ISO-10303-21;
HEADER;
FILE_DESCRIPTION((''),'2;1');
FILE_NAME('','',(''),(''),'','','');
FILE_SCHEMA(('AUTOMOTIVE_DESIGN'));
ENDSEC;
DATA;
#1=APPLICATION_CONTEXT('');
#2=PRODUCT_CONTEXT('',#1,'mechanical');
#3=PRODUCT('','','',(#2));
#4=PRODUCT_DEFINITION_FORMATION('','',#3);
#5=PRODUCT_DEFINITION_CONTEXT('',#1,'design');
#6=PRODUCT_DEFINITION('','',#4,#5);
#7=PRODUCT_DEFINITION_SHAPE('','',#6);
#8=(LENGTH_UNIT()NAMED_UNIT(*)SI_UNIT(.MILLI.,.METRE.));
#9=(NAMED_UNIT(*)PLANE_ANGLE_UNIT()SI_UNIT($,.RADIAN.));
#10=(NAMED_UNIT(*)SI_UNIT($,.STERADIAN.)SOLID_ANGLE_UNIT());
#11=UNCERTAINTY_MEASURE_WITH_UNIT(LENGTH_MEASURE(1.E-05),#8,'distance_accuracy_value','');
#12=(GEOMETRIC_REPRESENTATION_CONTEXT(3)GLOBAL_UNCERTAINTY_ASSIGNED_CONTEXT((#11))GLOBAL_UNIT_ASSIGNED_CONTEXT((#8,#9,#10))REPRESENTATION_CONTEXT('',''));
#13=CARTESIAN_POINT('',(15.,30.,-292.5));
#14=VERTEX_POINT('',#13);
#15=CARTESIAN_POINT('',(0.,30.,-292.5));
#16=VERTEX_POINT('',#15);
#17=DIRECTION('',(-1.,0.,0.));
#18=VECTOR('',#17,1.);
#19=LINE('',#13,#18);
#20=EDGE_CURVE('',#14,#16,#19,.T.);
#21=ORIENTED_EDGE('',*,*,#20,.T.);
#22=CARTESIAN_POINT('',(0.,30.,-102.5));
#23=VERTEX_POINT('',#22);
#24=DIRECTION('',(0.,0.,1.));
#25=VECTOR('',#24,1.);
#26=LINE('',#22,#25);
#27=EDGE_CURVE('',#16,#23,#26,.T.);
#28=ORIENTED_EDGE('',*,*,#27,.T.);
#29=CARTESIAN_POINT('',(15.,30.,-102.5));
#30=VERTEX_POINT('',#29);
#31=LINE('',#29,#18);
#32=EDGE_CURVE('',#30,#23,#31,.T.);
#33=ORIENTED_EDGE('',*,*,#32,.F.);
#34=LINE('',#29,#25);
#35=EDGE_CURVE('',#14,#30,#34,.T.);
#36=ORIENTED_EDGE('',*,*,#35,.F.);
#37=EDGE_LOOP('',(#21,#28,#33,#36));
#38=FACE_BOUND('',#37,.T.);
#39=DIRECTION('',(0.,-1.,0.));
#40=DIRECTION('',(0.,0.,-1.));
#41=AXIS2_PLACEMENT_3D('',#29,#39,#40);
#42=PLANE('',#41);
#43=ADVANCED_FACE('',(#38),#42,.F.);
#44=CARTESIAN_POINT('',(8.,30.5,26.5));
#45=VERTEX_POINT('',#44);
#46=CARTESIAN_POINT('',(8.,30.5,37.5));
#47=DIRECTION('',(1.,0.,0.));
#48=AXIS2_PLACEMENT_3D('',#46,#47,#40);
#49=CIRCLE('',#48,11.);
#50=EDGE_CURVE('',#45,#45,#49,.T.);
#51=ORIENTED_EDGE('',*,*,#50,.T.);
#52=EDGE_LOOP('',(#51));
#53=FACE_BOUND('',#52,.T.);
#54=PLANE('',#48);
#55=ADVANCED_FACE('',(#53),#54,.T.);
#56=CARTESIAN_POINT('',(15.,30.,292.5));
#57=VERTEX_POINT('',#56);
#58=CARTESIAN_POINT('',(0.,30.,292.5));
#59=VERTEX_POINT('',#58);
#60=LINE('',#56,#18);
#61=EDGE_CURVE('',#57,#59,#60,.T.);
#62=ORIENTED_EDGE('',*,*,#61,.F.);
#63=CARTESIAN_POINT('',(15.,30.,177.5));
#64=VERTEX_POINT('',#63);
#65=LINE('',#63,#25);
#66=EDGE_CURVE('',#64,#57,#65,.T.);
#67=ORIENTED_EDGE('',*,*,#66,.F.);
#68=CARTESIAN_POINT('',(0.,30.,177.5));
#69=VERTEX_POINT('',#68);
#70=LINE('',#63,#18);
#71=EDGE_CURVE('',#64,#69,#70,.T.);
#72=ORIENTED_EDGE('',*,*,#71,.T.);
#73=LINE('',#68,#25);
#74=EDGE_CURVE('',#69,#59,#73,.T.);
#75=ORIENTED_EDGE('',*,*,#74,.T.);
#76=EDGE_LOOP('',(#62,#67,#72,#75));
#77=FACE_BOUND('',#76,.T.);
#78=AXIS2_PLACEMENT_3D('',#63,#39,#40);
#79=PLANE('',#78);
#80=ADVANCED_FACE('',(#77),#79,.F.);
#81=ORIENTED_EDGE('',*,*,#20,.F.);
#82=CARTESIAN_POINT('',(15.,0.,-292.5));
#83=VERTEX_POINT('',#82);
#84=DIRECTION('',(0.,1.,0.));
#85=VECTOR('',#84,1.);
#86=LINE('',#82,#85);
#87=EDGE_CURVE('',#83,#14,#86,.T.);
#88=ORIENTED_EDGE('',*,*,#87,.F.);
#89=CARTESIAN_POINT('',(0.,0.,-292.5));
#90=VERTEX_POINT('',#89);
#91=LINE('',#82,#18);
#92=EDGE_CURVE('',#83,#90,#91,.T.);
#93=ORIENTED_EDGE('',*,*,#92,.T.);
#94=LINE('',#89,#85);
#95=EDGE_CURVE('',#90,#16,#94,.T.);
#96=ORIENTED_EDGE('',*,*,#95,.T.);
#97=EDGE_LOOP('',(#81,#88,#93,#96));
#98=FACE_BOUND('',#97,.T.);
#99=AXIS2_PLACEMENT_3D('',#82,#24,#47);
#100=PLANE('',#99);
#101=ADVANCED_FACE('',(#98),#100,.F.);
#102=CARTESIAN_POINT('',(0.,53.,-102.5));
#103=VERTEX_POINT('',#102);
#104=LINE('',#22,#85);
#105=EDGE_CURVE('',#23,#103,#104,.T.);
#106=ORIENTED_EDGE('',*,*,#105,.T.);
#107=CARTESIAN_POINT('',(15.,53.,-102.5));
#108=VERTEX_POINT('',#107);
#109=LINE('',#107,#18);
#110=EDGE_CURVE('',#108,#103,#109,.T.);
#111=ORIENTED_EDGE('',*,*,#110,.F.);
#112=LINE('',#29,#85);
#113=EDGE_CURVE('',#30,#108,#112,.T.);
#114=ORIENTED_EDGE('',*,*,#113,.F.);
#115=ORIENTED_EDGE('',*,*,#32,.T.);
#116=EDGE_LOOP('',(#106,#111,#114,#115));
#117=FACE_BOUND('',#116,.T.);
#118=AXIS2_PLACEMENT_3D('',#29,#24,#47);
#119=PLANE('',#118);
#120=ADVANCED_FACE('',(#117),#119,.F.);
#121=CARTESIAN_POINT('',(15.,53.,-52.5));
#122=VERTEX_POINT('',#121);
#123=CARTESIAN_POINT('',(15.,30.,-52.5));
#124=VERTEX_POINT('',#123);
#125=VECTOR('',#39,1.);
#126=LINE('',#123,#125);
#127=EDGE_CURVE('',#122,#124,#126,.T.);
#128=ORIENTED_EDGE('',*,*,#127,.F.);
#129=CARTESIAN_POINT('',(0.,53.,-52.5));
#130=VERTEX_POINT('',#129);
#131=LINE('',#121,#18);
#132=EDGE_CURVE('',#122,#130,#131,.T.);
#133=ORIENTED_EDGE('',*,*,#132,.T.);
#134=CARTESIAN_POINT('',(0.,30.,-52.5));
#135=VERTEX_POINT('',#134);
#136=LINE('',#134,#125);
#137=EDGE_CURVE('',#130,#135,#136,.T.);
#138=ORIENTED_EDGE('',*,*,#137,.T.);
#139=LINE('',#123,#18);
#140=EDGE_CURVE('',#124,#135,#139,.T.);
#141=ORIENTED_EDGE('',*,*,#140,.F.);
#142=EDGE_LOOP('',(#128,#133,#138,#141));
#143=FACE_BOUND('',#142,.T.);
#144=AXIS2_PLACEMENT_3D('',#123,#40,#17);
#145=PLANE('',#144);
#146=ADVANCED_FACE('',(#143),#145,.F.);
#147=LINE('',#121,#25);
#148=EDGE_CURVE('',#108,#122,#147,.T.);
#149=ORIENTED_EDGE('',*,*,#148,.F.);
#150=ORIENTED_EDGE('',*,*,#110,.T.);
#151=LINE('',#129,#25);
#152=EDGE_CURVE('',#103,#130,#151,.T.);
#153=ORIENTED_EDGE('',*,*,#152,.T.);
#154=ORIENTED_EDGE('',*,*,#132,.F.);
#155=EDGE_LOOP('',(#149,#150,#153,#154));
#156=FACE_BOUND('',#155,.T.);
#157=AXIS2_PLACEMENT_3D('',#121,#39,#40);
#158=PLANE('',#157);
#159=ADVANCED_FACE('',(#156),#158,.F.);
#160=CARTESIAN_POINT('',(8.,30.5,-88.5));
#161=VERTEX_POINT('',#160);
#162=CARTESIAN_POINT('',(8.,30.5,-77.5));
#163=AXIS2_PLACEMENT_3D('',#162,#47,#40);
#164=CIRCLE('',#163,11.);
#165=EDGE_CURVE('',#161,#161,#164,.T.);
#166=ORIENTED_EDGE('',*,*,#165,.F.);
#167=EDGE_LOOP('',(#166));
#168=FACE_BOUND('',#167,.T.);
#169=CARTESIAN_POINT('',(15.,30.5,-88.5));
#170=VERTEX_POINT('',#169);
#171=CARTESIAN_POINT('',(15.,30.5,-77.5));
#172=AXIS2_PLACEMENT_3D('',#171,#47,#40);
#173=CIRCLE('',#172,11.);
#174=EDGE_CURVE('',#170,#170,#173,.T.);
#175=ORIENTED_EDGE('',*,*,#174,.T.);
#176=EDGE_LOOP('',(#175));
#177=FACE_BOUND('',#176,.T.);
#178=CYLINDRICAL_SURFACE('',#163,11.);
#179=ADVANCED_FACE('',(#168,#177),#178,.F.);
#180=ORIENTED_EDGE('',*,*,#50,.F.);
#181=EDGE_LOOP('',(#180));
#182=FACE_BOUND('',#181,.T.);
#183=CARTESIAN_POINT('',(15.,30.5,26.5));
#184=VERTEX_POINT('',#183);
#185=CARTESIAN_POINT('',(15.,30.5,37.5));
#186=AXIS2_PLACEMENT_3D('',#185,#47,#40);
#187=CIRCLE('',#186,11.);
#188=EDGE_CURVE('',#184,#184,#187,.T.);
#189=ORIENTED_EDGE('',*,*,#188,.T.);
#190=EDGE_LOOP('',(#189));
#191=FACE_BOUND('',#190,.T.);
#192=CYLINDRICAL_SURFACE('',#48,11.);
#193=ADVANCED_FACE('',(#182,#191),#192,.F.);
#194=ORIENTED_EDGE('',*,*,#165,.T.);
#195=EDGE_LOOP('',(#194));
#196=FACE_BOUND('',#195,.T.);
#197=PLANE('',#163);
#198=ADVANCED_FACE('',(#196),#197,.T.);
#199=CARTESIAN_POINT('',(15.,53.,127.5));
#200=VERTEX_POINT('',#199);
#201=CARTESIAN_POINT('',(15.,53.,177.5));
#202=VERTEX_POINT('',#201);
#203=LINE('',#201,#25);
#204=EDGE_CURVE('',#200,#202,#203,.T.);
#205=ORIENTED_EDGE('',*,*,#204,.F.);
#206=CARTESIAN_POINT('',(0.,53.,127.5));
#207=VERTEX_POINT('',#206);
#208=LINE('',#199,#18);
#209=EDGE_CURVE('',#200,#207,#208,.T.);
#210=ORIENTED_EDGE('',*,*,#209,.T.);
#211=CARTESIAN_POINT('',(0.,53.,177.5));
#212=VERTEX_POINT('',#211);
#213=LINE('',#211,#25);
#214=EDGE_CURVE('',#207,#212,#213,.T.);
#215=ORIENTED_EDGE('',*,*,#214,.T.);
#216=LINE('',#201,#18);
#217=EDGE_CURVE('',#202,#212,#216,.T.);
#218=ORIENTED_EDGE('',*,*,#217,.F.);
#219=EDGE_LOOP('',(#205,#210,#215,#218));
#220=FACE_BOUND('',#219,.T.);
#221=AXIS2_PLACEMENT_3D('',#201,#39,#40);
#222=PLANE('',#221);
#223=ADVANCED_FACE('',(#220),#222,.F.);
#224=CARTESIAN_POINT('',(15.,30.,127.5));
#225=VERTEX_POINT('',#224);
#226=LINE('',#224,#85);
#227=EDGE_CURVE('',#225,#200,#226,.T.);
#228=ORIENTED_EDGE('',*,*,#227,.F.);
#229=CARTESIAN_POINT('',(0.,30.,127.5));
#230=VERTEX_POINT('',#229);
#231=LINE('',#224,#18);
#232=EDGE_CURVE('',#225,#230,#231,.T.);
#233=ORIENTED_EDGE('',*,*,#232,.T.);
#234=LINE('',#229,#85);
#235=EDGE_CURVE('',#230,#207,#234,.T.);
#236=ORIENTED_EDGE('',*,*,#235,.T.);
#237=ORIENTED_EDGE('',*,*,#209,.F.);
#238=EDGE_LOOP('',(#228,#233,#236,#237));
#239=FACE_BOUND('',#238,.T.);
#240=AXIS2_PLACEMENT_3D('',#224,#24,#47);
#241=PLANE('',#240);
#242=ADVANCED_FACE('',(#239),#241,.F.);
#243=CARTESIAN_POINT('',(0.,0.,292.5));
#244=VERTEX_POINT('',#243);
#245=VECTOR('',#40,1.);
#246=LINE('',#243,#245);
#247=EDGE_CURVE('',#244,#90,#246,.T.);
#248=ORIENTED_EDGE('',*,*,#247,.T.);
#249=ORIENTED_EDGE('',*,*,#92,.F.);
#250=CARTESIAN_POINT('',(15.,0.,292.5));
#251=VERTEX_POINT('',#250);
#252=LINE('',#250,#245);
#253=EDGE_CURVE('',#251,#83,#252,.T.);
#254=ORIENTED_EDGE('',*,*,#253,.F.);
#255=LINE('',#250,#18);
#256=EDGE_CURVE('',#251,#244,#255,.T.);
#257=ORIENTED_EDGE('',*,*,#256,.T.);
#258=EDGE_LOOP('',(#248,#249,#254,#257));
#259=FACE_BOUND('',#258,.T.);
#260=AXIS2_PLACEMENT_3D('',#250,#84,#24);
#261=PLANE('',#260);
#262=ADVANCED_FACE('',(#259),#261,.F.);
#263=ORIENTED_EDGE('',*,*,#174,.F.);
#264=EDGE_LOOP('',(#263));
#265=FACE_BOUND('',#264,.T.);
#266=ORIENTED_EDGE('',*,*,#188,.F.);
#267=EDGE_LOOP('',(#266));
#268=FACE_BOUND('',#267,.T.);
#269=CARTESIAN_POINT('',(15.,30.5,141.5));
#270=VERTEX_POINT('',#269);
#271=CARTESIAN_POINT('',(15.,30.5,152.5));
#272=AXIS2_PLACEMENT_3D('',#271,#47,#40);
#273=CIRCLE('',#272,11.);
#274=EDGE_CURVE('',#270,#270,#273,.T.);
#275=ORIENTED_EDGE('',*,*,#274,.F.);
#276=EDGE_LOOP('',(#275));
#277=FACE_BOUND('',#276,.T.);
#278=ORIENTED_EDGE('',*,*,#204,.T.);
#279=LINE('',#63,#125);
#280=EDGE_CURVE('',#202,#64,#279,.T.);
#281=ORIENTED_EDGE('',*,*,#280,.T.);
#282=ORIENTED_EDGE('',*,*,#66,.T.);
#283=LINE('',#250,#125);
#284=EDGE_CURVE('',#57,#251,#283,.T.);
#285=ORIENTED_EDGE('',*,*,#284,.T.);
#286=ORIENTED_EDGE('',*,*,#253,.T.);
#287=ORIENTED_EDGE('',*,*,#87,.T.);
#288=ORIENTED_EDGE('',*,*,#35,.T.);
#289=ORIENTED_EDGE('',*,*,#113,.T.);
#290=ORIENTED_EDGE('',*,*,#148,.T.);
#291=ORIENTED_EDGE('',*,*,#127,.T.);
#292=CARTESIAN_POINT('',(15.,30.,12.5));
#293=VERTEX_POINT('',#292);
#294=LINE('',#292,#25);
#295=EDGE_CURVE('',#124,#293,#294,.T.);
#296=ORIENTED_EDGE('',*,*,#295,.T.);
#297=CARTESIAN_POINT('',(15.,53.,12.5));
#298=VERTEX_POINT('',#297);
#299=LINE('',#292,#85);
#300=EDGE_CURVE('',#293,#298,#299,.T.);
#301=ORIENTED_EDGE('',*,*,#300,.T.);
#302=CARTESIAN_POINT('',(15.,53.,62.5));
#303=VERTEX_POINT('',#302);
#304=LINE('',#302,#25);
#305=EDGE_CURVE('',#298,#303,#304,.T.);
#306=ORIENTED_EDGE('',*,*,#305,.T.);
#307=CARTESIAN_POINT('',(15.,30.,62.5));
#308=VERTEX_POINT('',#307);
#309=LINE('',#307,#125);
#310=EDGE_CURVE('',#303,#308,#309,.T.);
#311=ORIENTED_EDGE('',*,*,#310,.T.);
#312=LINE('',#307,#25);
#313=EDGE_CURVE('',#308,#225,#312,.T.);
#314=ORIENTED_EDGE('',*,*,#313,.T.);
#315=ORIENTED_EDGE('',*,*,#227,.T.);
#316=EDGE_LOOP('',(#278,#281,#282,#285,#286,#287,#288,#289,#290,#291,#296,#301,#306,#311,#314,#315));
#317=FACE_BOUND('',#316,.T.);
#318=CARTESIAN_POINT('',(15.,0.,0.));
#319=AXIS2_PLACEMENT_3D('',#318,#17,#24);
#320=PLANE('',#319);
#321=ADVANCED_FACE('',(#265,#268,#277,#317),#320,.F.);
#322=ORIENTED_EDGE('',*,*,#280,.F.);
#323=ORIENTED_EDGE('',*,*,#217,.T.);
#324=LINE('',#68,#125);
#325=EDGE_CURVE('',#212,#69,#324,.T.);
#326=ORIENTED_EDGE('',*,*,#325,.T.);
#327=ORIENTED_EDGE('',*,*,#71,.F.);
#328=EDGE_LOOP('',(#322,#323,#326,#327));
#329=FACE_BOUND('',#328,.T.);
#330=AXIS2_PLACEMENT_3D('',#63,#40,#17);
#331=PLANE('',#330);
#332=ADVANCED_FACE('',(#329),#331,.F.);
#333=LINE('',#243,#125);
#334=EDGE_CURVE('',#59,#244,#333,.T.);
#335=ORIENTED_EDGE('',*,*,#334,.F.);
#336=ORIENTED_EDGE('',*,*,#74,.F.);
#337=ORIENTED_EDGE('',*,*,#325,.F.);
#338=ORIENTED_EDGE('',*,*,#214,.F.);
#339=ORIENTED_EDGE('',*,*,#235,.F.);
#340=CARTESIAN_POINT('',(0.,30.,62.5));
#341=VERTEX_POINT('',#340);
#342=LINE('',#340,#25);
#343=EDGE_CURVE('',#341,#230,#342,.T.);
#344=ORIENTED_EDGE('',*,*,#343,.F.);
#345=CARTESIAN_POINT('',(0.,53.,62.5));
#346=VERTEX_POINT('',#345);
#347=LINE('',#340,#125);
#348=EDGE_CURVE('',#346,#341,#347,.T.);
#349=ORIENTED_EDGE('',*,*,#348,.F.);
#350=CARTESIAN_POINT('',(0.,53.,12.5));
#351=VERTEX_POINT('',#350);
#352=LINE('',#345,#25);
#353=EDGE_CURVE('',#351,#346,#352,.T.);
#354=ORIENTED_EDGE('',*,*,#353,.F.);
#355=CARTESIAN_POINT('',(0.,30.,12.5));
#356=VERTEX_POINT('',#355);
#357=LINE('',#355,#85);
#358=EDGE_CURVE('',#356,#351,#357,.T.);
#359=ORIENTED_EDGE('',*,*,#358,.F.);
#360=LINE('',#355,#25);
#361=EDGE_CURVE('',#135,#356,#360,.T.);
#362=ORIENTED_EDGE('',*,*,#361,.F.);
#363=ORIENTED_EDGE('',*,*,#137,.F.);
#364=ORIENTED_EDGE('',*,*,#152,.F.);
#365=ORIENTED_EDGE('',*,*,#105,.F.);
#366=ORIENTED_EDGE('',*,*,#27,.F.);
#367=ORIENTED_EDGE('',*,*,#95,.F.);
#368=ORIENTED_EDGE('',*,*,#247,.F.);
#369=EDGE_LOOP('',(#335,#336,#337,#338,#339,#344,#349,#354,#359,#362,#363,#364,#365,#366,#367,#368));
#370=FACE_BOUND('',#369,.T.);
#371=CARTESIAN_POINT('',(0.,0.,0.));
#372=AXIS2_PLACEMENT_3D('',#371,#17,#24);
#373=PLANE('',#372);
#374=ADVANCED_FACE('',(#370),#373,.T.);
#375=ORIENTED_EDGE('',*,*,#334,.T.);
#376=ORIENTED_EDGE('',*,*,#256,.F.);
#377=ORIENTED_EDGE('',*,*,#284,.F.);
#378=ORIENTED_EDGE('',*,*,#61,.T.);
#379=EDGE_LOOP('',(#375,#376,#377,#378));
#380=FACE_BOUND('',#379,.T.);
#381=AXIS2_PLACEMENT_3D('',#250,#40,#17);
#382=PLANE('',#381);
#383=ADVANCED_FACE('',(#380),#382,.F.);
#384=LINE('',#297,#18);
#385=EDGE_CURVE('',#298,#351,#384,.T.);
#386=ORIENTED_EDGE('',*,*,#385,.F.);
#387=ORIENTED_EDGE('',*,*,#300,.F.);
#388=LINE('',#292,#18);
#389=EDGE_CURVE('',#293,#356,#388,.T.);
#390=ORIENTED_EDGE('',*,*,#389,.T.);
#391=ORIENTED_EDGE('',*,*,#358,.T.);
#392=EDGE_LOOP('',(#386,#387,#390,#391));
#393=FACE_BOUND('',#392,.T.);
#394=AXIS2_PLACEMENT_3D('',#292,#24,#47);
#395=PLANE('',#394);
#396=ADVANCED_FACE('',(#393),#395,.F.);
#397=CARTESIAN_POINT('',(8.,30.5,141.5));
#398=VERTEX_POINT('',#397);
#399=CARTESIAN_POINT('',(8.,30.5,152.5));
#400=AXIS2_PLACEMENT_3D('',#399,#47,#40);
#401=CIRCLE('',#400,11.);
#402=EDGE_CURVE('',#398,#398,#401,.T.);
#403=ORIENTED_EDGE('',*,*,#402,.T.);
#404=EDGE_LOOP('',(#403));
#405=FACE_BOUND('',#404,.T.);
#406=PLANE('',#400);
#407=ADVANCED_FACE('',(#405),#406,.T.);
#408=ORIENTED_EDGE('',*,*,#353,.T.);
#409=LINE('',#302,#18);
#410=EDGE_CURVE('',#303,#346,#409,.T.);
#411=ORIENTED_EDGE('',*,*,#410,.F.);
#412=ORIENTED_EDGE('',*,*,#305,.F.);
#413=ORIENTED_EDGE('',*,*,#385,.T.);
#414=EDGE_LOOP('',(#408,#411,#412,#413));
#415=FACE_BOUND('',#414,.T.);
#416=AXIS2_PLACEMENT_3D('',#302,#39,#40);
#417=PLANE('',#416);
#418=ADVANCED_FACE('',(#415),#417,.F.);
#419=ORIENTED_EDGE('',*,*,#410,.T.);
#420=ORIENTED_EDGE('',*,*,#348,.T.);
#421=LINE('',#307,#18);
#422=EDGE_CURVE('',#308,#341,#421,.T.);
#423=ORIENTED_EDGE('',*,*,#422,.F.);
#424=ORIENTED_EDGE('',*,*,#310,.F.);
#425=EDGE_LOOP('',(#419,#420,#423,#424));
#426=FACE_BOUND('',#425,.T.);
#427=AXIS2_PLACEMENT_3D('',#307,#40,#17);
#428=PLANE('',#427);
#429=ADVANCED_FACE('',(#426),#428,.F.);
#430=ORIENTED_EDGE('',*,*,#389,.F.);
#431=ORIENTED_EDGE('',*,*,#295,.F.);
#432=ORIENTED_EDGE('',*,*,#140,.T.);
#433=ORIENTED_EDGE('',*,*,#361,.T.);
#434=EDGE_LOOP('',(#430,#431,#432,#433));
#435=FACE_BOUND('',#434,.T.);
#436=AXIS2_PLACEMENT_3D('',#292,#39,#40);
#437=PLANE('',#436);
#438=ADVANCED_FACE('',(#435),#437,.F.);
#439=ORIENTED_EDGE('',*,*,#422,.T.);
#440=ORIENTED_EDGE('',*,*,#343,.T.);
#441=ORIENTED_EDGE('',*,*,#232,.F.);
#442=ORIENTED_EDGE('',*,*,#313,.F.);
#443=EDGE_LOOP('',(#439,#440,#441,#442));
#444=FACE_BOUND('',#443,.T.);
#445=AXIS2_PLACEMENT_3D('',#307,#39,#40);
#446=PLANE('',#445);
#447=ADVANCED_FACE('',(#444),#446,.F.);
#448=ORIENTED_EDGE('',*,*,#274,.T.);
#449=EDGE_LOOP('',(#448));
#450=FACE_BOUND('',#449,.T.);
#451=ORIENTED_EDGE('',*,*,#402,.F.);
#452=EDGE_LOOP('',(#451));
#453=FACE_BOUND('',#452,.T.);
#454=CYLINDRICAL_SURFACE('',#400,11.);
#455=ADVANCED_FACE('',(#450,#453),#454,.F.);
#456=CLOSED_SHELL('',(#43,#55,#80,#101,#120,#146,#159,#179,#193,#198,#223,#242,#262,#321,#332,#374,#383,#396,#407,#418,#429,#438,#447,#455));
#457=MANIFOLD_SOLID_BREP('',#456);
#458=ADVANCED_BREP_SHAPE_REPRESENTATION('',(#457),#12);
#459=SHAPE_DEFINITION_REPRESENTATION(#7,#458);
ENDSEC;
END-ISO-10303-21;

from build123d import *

# Parameters (mm, degrees)
SALIENTE_EXTRUIR1_DEPTH = 15
CROQUIS2_R              = 11
CORTAR_EXTRUIR1_DEPTH   = 7


with BuildPart() as part:
    # Croquis1 → Saliente-Extruir1 (new body)
    with BuildSketch(Plane(origin=(0, 0, 0), x_dir=(0, 0, -1), z_dir=(1, 0, 0))):
        Polygon((-292.5, 0), (292.5, 0), (292.5, 30), (102.5, 30), (102.5, 53), (52.5, 53), (52.5, 30), (-12.5, 30), (-12.5, 53), (-62.5, 53), (-62.5, 30), (-127.5, 30), (-127.5, 53), (-177.5, 53), (-177.5, 30), (-292.5, 30), align=None)
    extrude(amount=SALIENTE_EXTRUIR1_DEPTH)

    # Croquis2 → Cortar-Extruir1 (cut)
    with BuildSketch(Plane(origin=(15, 0, 0), x_dir=(0, 0, -1), z_dir=(1, 0, 0))):
        with Locations((-37.5, 30.5)):
            Circle(CROQUIS2_R)
        with Locations((-152.5, 30.5)):
            Circle(CROQUIS2_R)
        with Locations((77.5, 30.5)):
            Circle(CROQUIS2_R)
    extrude(amount=-CORTAR_EXTRUIR1_DEPTH, mode=Mode.SUBTRACT)


solid = part.part
